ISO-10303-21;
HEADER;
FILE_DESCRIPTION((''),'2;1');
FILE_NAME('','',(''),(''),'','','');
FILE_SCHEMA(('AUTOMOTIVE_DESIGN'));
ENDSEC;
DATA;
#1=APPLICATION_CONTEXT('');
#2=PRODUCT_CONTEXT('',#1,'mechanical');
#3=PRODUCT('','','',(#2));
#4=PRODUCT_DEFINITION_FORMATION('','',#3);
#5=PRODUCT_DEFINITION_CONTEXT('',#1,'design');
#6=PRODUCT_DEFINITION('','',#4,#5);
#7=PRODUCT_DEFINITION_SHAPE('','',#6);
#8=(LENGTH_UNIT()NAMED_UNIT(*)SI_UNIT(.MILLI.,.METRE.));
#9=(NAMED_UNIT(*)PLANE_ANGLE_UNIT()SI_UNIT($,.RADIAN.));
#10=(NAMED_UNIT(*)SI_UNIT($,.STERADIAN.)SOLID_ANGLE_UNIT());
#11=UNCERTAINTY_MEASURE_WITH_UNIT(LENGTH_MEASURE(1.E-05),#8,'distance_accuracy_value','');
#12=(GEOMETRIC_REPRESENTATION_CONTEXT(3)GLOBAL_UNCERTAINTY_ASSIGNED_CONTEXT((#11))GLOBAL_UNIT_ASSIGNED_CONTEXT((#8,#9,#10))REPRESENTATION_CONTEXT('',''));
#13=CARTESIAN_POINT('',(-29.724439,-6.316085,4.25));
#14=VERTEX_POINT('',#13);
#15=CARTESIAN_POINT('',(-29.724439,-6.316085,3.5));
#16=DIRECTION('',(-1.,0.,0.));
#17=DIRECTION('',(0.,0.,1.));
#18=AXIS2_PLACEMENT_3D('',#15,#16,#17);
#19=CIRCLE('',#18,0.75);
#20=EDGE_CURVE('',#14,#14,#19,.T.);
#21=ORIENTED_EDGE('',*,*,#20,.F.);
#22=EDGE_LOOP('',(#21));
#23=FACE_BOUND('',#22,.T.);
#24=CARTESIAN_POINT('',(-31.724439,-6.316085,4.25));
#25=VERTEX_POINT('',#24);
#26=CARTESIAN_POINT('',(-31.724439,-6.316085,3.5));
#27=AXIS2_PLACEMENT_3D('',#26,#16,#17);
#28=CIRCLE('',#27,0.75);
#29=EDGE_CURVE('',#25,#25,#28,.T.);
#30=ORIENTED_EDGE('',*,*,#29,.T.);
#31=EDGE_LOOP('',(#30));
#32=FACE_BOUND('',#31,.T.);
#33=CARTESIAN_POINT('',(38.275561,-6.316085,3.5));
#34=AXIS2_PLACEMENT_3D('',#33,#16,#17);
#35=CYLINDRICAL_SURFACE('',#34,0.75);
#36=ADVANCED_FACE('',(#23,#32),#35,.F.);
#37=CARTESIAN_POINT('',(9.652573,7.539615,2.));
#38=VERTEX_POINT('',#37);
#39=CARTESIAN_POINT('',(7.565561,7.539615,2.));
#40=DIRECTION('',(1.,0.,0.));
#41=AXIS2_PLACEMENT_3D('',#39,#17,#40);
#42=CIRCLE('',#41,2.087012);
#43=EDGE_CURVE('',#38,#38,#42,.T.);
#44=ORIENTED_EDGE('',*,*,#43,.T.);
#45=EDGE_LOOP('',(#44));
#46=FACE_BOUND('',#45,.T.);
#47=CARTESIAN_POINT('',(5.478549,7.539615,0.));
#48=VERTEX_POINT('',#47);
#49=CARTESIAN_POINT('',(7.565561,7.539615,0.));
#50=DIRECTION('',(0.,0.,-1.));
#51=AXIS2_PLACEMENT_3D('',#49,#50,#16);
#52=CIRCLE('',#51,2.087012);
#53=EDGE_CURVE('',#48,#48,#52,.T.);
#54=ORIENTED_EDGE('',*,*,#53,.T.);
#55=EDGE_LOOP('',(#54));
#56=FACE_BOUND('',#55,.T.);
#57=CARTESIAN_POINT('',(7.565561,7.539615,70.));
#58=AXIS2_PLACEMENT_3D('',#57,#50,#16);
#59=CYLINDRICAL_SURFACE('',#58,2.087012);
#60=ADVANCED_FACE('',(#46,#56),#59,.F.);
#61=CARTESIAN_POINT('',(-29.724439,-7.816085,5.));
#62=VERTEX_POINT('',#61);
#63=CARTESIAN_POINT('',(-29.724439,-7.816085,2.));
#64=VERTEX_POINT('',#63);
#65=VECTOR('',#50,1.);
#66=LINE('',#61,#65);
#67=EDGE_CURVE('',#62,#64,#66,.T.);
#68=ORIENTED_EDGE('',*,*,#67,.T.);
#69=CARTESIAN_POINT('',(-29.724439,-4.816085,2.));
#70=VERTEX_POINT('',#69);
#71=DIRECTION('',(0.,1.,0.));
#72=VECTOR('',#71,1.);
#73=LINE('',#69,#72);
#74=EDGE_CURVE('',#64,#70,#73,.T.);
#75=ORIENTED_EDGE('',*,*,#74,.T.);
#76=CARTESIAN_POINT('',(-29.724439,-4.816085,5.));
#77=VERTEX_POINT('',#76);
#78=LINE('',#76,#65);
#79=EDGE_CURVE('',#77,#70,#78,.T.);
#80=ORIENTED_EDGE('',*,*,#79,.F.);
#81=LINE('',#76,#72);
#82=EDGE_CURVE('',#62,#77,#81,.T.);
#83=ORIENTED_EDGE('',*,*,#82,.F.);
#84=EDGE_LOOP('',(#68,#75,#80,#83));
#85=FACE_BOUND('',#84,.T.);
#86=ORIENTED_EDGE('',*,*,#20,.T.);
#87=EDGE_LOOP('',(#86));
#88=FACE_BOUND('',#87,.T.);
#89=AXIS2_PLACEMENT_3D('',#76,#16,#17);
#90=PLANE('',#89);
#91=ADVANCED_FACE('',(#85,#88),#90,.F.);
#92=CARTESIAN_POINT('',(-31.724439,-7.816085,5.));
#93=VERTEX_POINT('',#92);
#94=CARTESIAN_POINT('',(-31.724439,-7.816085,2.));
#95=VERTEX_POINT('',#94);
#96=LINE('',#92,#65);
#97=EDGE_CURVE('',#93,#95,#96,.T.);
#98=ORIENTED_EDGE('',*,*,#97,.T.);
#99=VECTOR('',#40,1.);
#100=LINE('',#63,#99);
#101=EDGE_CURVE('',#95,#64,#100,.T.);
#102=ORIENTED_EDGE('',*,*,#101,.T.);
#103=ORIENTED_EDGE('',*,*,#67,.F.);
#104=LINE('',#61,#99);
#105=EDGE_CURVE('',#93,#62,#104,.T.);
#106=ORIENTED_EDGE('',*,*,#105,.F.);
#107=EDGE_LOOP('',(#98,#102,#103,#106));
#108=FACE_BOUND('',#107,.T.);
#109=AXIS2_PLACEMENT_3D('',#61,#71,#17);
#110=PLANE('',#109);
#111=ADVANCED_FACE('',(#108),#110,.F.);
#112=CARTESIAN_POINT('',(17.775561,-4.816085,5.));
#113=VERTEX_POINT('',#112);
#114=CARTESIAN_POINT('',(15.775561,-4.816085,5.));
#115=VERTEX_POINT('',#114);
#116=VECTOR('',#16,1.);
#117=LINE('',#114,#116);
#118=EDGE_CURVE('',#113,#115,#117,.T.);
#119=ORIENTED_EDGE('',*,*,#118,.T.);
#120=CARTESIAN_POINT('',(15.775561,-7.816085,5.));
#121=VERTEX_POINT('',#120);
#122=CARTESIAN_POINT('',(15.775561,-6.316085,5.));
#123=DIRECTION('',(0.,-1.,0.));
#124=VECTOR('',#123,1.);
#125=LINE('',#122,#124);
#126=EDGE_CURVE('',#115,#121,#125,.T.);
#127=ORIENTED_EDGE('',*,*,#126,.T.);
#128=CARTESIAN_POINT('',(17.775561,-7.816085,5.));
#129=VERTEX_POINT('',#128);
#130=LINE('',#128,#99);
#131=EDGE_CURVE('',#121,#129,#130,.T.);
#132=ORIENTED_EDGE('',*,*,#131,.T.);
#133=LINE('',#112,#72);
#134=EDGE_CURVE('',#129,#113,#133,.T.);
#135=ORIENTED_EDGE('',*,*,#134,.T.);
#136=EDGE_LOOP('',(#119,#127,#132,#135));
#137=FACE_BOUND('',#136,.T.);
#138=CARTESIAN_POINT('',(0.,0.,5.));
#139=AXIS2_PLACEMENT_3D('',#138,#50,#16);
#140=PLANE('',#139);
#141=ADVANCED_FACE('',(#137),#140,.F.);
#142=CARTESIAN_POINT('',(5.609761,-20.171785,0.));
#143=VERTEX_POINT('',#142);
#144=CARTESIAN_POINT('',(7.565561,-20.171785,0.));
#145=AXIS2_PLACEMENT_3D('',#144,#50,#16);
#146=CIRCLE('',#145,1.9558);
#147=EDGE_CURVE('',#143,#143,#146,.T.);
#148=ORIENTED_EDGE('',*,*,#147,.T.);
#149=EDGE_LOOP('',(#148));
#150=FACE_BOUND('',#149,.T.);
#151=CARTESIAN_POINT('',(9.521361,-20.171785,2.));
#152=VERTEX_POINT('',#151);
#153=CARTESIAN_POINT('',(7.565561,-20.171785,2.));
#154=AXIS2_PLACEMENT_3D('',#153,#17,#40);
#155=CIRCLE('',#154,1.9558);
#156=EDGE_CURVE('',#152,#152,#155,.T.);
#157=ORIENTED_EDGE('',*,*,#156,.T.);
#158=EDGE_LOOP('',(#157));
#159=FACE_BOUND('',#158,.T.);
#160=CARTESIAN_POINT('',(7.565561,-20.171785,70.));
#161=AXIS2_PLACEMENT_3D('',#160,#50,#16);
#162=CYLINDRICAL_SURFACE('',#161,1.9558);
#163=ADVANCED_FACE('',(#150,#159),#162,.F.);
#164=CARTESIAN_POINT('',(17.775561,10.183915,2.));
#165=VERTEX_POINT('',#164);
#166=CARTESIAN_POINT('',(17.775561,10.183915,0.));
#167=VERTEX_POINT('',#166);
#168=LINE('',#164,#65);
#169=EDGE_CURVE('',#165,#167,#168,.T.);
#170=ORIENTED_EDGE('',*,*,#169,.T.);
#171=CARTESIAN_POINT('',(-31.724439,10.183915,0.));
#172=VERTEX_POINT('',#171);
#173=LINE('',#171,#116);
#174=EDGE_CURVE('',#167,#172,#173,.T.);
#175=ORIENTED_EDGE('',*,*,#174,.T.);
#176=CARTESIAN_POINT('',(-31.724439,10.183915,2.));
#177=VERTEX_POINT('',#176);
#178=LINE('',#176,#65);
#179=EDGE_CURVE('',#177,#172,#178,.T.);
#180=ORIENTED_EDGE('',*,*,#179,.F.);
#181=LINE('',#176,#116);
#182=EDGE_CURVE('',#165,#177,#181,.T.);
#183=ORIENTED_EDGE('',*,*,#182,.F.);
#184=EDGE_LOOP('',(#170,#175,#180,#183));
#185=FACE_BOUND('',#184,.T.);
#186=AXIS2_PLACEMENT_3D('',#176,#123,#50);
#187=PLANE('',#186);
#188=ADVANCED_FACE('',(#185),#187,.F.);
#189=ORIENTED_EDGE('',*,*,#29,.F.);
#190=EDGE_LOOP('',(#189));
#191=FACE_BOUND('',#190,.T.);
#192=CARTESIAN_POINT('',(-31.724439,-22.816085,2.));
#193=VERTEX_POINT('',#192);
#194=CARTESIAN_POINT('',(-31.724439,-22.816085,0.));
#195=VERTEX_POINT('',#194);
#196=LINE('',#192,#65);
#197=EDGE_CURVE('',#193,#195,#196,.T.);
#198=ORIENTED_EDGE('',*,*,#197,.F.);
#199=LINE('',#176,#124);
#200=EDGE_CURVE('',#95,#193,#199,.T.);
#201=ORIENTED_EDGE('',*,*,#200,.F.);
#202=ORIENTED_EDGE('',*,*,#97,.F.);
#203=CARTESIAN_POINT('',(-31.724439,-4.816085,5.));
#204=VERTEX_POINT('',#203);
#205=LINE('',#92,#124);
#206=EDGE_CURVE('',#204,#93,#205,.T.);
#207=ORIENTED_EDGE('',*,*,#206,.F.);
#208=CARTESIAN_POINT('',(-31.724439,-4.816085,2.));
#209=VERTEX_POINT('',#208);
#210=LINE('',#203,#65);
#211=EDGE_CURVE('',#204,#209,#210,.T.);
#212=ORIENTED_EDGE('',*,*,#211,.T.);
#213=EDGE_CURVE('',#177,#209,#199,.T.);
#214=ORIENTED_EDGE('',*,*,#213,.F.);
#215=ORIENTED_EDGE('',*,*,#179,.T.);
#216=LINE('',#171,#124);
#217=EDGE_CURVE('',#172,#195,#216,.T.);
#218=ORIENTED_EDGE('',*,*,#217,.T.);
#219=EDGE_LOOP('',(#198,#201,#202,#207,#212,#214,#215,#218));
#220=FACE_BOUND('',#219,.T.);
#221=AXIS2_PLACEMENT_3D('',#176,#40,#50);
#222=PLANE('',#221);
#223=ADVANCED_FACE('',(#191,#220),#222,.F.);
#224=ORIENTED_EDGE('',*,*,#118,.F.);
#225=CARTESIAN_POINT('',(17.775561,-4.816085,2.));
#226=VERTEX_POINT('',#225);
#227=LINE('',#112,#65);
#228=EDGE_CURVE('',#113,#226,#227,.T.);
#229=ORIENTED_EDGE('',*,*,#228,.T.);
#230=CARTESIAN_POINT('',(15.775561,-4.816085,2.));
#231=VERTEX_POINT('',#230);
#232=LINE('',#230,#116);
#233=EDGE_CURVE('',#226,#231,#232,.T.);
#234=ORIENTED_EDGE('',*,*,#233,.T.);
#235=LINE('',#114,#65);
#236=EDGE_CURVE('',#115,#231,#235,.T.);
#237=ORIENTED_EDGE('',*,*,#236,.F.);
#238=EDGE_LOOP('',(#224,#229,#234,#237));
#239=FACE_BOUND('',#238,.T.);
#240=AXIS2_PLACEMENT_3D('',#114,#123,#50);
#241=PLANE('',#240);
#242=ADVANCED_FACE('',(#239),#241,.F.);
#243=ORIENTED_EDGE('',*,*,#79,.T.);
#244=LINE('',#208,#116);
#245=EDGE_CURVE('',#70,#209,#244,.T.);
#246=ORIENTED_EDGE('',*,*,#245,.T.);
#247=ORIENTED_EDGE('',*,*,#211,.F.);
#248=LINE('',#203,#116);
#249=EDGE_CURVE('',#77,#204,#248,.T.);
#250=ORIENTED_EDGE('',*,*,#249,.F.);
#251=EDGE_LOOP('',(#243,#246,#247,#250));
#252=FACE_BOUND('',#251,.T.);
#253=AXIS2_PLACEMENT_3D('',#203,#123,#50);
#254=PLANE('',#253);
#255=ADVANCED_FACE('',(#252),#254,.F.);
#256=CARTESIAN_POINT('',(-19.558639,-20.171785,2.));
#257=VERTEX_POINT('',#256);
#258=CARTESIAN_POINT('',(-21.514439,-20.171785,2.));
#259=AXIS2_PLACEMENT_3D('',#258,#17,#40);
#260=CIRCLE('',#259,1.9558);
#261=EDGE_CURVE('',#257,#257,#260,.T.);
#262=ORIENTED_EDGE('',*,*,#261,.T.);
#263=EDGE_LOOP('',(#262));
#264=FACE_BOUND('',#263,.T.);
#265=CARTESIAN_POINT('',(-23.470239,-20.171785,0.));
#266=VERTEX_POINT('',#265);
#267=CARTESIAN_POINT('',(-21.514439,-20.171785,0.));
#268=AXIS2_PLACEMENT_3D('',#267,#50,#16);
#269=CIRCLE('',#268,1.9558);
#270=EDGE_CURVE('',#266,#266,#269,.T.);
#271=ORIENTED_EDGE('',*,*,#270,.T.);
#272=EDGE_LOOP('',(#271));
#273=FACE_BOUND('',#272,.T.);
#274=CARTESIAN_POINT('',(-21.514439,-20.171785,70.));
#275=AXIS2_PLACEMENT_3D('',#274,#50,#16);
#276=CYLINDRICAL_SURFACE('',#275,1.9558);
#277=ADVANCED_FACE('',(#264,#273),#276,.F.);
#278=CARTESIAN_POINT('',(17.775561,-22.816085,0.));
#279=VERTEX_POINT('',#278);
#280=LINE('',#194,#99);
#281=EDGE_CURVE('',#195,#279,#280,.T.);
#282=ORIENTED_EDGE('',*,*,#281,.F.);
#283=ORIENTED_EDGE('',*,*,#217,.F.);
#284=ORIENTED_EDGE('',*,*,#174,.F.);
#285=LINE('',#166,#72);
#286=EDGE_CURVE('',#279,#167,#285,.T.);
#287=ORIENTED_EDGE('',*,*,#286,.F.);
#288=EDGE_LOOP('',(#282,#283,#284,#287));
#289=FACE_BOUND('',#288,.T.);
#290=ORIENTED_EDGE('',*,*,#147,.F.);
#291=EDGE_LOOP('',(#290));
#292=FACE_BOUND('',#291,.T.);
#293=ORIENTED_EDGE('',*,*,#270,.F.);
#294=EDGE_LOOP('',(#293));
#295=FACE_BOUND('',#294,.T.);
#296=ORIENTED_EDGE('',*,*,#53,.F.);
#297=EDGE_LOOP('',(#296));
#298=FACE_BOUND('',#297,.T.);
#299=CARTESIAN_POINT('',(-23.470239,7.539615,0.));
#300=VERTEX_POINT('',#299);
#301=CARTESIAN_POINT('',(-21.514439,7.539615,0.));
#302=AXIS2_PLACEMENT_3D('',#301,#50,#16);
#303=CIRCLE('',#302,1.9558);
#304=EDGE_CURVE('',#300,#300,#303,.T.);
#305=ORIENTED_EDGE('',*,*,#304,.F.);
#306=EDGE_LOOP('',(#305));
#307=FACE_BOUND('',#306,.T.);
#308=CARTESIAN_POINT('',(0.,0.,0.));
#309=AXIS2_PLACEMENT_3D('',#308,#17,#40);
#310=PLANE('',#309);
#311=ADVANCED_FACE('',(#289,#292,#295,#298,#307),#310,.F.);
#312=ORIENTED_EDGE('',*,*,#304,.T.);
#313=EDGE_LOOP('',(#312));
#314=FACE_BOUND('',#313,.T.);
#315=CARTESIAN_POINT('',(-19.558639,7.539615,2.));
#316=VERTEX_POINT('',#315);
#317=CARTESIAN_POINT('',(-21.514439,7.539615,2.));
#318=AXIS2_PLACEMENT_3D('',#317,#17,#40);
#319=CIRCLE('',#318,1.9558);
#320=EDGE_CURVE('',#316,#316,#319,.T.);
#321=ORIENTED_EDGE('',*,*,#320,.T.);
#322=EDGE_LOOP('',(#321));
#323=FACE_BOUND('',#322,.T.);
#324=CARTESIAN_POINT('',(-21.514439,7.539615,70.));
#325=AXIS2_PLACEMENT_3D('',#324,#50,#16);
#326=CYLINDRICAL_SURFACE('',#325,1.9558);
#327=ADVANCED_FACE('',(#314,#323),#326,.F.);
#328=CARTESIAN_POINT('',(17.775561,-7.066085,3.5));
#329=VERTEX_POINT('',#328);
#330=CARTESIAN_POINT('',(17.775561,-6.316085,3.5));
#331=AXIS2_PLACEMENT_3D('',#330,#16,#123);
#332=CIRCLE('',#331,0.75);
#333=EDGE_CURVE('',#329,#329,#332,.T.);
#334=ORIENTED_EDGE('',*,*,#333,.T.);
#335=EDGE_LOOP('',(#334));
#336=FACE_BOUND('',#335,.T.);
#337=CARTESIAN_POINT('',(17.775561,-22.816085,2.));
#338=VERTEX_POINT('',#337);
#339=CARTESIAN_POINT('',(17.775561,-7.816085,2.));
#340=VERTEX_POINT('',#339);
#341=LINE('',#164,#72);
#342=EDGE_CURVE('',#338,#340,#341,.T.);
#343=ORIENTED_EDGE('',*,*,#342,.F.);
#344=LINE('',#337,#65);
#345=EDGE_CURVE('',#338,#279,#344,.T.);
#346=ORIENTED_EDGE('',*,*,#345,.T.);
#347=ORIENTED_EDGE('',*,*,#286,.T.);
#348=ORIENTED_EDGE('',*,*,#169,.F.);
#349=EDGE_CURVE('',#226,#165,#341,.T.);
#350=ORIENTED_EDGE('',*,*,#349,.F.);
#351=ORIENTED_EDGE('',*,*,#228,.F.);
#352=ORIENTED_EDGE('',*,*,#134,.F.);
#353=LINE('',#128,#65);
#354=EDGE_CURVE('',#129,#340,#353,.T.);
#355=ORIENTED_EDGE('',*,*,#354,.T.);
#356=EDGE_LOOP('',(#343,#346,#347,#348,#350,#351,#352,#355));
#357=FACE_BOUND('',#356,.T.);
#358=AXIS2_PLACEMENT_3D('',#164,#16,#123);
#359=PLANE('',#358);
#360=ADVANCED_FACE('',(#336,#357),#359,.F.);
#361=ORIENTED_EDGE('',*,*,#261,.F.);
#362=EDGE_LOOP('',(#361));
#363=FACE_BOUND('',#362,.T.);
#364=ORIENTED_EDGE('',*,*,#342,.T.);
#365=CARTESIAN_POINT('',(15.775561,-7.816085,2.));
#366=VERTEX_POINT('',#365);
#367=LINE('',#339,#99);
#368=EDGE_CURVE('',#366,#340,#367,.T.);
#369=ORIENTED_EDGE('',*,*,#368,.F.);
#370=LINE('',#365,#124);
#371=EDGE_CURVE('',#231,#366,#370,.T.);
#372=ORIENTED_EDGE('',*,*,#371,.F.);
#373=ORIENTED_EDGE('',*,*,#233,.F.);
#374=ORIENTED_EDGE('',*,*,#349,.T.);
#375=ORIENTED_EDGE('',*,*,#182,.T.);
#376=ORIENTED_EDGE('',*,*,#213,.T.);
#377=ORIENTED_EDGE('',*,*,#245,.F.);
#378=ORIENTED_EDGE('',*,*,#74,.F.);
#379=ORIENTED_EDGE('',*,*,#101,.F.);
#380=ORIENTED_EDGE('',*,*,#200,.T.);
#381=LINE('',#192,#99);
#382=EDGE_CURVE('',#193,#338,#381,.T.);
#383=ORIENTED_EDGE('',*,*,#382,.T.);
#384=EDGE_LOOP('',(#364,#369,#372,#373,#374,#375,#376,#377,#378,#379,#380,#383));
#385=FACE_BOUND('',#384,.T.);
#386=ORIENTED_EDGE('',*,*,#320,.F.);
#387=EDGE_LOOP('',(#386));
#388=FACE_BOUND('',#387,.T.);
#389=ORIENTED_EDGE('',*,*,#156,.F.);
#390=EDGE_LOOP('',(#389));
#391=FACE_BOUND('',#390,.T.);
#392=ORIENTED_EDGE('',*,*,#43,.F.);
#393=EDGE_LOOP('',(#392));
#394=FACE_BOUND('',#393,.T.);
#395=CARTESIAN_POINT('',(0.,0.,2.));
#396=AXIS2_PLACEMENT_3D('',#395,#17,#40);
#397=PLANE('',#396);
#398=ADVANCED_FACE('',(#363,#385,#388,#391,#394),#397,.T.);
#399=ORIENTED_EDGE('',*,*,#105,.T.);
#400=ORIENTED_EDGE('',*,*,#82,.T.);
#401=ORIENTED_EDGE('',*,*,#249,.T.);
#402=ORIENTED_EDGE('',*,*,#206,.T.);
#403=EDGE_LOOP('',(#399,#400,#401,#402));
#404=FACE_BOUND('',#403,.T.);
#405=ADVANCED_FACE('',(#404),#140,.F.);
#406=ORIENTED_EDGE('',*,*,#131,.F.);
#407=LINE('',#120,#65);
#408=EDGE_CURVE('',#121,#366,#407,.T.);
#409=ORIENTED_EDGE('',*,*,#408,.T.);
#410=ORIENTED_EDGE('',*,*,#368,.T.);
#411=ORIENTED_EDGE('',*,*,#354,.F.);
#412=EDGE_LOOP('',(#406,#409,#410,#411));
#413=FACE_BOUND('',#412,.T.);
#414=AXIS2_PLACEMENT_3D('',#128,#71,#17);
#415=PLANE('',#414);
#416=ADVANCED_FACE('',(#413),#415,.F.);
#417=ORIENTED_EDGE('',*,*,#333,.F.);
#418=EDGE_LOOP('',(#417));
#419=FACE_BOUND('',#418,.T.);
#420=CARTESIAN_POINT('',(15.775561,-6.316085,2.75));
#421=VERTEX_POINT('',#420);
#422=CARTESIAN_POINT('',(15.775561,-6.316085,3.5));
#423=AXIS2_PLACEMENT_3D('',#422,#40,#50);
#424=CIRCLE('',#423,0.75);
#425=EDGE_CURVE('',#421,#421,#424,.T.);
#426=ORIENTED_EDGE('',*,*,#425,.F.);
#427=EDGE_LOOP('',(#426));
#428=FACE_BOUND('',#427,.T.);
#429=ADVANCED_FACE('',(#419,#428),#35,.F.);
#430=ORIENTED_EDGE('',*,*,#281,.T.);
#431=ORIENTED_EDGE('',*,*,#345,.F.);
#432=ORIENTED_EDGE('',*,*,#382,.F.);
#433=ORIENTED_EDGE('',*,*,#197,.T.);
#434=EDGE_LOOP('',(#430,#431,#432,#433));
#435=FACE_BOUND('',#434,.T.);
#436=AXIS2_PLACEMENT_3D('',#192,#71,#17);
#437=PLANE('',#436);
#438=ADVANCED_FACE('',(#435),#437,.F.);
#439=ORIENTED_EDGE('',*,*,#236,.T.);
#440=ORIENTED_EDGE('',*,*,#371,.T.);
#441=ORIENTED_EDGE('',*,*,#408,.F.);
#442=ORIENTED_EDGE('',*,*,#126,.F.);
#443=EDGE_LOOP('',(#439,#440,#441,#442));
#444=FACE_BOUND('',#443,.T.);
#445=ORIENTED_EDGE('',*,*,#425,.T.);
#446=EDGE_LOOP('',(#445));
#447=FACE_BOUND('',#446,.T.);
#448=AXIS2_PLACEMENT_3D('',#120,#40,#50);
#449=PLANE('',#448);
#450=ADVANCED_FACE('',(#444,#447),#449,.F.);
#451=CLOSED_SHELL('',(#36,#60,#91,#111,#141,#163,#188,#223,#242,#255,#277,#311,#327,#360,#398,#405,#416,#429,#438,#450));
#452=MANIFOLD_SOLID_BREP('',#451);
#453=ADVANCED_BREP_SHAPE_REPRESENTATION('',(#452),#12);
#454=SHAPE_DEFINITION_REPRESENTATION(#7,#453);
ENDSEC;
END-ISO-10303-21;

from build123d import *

# Parameters (mm, degrees)
SKETCH1_W           = 49.5
SKETCH1_H           = 33
BOSS_EXTRUDE1_DEPTH = 2
BOSS_EXTRUDE4_DEPTH = 3
SKETCH9_R           = 0.75
CUT_EXTRUDE3_DEPTH  = 70
SKETCH10_R          = 2.087011894
SKETCH10_R_2        = 1.9558
CUT_EXTRUDE4_DEPTH  = 70


with BuildPart() as part:
    # Sketch1 → Boss-Extrude1 (new body)
    with BuildSketch(Plane.XY):
        with Locations((-6.974438903, -6.316084788)):
            Rectangle(SKETCH1_W, SKETCH1_H)
    extrude(amount=BOSS_EXTRUDE1_DEPTH)

    # Sketch8 → Boss-Extrude4 (add)
    with BuildSketch(Plane.XY.offset(2)):
        Polygon((-31.724438903, -6.316084788), (-31.724438903, -4.816084788), (-29.724438903, -4.816084788), (-29.724438903, -7.816084788), (-31.724438903, -7.816084788), align=None)
        Polygon((17.775561097, -4.816084788), (17.775561097, -7.816084788), (15.775561097, -7.816084788), (15.775561097, -6.316084788), (15.775561097, -4.816084788), align=None)
    extrude(amount=BOSS_EXTRUDE4_DEPTH)

    # Sketch9 → Cut-Extrude3 (cut)
    with BuildSketch(Plane.ZY.offset(31.724438903)):
        with Locations((3.5, -6.316084788)):
            Circle(SKETCH9_R)
    extrude(amount=-CUT_EXTRUDE3_DEPTH, mode=Mode.SUBTRACT)

    # Sketch10 → Cut-Extrude4 (cut)
    with BuildSketch(Plane(origin=(0, 0, 0), x_dir=(-1, 0, 0), z_dir=(0, 0, -1))):
        with Locations((-7.565561097, 7.539615212)):
            Circle(SKETCH10_R)
        with Locations((21.514438903, 7.539615212)):
            Circle(SKETCH10_R_2)
        with Locations((-7.565561097, -20.171784788)):
            Circle(SKETCH10_R_2)
        with Locations((21.514438903, -20.171784788)):
            Circle(SKETCH10_R_2)
    extrude(amount=-CUT_EXTRUDE4_DEPTH, mode=Mode.SUBTRACT)


solid = part.part
